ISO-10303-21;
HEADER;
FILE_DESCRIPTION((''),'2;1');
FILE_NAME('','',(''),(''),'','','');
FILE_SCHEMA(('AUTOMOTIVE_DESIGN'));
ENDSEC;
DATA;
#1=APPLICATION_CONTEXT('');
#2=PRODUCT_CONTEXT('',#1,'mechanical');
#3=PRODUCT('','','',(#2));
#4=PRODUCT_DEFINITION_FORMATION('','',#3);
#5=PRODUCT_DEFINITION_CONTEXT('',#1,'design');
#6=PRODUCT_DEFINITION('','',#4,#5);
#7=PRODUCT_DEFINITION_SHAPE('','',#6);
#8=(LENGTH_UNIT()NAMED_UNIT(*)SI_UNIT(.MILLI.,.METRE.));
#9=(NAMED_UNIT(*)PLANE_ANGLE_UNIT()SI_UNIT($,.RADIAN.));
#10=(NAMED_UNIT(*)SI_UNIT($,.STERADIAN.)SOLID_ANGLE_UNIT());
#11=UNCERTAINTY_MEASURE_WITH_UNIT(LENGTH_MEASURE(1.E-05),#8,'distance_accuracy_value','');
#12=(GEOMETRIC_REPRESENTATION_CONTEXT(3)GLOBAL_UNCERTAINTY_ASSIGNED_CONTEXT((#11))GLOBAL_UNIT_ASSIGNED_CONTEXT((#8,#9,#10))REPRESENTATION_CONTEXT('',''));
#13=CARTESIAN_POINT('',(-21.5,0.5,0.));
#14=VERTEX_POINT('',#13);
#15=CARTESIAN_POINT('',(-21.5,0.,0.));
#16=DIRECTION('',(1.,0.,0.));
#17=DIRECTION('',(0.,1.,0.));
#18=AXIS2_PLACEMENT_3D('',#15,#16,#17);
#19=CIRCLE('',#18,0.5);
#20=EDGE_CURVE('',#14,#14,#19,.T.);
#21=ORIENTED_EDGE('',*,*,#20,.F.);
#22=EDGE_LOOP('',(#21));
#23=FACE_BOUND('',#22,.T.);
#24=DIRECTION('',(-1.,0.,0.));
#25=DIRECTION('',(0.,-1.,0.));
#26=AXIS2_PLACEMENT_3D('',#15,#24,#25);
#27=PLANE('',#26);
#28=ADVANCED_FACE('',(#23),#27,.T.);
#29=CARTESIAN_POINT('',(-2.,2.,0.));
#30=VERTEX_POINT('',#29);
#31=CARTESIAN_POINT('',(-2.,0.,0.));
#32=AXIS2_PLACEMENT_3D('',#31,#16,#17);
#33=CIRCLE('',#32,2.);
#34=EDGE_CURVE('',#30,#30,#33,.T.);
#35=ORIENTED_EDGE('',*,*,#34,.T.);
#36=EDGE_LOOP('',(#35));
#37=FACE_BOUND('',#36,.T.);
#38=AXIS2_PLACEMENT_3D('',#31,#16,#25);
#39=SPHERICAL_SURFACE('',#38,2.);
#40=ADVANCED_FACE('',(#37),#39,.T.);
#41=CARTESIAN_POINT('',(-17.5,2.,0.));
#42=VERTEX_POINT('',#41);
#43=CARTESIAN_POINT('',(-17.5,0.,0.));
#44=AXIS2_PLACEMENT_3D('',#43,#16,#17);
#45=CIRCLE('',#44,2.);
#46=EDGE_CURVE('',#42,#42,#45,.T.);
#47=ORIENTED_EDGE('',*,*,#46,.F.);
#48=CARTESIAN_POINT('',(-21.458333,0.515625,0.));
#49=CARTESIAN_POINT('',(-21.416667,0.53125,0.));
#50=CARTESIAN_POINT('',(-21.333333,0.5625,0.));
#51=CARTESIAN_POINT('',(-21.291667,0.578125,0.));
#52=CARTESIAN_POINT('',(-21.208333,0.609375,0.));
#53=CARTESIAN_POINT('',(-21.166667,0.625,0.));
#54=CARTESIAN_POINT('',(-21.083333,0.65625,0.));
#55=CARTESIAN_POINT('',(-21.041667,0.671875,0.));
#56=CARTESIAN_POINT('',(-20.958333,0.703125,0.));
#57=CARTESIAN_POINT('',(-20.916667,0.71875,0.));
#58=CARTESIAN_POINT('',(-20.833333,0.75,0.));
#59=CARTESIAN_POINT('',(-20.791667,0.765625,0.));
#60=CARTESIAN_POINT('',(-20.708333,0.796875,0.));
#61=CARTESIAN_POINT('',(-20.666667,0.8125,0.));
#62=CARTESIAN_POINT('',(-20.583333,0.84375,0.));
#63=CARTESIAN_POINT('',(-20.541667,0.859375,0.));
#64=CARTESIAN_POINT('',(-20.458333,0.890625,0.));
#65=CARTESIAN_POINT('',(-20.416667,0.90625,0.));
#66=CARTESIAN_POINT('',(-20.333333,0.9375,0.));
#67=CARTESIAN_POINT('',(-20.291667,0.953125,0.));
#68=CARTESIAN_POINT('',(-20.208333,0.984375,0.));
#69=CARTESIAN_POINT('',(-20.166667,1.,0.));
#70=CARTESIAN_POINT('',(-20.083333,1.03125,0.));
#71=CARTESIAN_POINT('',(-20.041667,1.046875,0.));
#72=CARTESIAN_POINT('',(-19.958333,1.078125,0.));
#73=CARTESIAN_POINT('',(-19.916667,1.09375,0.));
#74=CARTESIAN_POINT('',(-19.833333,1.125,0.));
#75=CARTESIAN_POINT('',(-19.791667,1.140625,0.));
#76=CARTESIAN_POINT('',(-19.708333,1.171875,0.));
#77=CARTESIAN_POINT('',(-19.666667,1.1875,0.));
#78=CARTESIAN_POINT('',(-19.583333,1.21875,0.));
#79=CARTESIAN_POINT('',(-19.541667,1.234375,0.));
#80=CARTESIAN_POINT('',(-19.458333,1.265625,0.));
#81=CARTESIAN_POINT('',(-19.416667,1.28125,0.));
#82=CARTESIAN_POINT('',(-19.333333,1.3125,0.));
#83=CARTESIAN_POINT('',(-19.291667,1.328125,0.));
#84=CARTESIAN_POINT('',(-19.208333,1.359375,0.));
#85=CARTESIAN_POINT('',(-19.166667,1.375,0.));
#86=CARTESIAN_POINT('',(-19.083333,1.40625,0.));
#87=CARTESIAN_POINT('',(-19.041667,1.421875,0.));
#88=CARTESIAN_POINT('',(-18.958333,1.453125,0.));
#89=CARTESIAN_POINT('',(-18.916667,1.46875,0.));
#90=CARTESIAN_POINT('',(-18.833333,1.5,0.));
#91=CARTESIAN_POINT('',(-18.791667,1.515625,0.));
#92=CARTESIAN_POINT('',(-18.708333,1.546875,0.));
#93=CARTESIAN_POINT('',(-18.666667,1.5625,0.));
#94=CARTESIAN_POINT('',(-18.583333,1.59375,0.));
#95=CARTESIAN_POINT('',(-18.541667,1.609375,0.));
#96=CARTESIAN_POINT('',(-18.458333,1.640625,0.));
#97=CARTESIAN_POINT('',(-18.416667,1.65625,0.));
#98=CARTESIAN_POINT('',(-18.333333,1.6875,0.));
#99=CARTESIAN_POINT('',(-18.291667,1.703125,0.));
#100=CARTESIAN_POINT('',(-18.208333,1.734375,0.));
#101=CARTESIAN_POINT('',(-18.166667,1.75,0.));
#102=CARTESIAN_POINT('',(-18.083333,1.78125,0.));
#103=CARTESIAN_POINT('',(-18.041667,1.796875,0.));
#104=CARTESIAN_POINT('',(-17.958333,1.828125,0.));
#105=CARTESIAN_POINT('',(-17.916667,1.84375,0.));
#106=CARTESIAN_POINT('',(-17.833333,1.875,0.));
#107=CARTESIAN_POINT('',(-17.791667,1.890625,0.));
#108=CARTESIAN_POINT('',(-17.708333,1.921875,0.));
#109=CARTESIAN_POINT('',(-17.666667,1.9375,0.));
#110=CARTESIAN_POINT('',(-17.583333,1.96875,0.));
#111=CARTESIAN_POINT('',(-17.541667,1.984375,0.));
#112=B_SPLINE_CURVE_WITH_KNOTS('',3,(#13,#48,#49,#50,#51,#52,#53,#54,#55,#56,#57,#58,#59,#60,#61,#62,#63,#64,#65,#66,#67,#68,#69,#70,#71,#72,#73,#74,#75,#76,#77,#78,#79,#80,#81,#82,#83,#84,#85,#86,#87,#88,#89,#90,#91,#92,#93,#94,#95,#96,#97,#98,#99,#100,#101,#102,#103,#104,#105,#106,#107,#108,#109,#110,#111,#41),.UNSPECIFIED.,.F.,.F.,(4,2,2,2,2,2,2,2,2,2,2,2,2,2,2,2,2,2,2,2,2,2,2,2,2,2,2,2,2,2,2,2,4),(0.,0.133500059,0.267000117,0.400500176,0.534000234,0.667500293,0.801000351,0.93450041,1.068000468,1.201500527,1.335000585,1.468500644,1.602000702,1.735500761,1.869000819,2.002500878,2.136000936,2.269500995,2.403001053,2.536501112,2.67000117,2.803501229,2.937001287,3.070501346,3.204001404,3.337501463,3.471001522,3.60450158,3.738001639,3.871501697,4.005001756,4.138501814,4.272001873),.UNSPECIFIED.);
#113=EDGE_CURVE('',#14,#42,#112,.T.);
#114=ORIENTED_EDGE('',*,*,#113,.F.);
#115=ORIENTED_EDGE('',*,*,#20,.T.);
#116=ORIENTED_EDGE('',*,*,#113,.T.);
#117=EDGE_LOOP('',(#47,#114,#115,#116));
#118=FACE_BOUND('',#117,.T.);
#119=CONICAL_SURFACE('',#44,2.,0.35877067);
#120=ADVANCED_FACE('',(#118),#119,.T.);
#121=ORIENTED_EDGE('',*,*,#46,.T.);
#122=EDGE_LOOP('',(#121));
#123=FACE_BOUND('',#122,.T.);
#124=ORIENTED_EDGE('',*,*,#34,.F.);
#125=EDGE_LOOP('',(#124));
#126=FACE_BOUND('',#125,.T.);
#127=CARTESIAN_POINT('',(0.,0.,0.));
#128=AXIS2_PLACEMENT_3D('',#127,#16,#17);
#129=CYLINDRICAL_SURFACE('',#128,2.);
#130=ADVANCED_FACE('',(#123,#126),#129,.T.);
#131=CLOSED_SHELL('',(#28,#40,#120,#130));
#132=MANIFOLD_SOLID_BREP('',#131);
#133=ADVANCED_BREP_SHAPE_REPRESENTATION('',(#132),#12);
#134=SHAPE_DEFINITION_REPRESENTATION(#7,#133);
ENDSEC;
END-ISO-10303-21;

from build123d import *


with BuildPart() as part:
    # Sketch2 → Revolve1 (revolve)
    with BuildSketch(Plane.XY):
        with BuildLine():
            Line((-21.5, 0), (-21.5, 0.5))
            Line((-21.5, 0.5), (-17.5, 2))
            Line((-17.5, 2), (-2, 2))
            ThreePointArc((-2, 2), (-0.585786438, 1.414213562), (0, 0))
            Line((0, 0), (-21.5, 0))
        make_face()
    revolve(axis=Axis((0, 0, 0), (-1, 0, 0)))


solid = part.part
